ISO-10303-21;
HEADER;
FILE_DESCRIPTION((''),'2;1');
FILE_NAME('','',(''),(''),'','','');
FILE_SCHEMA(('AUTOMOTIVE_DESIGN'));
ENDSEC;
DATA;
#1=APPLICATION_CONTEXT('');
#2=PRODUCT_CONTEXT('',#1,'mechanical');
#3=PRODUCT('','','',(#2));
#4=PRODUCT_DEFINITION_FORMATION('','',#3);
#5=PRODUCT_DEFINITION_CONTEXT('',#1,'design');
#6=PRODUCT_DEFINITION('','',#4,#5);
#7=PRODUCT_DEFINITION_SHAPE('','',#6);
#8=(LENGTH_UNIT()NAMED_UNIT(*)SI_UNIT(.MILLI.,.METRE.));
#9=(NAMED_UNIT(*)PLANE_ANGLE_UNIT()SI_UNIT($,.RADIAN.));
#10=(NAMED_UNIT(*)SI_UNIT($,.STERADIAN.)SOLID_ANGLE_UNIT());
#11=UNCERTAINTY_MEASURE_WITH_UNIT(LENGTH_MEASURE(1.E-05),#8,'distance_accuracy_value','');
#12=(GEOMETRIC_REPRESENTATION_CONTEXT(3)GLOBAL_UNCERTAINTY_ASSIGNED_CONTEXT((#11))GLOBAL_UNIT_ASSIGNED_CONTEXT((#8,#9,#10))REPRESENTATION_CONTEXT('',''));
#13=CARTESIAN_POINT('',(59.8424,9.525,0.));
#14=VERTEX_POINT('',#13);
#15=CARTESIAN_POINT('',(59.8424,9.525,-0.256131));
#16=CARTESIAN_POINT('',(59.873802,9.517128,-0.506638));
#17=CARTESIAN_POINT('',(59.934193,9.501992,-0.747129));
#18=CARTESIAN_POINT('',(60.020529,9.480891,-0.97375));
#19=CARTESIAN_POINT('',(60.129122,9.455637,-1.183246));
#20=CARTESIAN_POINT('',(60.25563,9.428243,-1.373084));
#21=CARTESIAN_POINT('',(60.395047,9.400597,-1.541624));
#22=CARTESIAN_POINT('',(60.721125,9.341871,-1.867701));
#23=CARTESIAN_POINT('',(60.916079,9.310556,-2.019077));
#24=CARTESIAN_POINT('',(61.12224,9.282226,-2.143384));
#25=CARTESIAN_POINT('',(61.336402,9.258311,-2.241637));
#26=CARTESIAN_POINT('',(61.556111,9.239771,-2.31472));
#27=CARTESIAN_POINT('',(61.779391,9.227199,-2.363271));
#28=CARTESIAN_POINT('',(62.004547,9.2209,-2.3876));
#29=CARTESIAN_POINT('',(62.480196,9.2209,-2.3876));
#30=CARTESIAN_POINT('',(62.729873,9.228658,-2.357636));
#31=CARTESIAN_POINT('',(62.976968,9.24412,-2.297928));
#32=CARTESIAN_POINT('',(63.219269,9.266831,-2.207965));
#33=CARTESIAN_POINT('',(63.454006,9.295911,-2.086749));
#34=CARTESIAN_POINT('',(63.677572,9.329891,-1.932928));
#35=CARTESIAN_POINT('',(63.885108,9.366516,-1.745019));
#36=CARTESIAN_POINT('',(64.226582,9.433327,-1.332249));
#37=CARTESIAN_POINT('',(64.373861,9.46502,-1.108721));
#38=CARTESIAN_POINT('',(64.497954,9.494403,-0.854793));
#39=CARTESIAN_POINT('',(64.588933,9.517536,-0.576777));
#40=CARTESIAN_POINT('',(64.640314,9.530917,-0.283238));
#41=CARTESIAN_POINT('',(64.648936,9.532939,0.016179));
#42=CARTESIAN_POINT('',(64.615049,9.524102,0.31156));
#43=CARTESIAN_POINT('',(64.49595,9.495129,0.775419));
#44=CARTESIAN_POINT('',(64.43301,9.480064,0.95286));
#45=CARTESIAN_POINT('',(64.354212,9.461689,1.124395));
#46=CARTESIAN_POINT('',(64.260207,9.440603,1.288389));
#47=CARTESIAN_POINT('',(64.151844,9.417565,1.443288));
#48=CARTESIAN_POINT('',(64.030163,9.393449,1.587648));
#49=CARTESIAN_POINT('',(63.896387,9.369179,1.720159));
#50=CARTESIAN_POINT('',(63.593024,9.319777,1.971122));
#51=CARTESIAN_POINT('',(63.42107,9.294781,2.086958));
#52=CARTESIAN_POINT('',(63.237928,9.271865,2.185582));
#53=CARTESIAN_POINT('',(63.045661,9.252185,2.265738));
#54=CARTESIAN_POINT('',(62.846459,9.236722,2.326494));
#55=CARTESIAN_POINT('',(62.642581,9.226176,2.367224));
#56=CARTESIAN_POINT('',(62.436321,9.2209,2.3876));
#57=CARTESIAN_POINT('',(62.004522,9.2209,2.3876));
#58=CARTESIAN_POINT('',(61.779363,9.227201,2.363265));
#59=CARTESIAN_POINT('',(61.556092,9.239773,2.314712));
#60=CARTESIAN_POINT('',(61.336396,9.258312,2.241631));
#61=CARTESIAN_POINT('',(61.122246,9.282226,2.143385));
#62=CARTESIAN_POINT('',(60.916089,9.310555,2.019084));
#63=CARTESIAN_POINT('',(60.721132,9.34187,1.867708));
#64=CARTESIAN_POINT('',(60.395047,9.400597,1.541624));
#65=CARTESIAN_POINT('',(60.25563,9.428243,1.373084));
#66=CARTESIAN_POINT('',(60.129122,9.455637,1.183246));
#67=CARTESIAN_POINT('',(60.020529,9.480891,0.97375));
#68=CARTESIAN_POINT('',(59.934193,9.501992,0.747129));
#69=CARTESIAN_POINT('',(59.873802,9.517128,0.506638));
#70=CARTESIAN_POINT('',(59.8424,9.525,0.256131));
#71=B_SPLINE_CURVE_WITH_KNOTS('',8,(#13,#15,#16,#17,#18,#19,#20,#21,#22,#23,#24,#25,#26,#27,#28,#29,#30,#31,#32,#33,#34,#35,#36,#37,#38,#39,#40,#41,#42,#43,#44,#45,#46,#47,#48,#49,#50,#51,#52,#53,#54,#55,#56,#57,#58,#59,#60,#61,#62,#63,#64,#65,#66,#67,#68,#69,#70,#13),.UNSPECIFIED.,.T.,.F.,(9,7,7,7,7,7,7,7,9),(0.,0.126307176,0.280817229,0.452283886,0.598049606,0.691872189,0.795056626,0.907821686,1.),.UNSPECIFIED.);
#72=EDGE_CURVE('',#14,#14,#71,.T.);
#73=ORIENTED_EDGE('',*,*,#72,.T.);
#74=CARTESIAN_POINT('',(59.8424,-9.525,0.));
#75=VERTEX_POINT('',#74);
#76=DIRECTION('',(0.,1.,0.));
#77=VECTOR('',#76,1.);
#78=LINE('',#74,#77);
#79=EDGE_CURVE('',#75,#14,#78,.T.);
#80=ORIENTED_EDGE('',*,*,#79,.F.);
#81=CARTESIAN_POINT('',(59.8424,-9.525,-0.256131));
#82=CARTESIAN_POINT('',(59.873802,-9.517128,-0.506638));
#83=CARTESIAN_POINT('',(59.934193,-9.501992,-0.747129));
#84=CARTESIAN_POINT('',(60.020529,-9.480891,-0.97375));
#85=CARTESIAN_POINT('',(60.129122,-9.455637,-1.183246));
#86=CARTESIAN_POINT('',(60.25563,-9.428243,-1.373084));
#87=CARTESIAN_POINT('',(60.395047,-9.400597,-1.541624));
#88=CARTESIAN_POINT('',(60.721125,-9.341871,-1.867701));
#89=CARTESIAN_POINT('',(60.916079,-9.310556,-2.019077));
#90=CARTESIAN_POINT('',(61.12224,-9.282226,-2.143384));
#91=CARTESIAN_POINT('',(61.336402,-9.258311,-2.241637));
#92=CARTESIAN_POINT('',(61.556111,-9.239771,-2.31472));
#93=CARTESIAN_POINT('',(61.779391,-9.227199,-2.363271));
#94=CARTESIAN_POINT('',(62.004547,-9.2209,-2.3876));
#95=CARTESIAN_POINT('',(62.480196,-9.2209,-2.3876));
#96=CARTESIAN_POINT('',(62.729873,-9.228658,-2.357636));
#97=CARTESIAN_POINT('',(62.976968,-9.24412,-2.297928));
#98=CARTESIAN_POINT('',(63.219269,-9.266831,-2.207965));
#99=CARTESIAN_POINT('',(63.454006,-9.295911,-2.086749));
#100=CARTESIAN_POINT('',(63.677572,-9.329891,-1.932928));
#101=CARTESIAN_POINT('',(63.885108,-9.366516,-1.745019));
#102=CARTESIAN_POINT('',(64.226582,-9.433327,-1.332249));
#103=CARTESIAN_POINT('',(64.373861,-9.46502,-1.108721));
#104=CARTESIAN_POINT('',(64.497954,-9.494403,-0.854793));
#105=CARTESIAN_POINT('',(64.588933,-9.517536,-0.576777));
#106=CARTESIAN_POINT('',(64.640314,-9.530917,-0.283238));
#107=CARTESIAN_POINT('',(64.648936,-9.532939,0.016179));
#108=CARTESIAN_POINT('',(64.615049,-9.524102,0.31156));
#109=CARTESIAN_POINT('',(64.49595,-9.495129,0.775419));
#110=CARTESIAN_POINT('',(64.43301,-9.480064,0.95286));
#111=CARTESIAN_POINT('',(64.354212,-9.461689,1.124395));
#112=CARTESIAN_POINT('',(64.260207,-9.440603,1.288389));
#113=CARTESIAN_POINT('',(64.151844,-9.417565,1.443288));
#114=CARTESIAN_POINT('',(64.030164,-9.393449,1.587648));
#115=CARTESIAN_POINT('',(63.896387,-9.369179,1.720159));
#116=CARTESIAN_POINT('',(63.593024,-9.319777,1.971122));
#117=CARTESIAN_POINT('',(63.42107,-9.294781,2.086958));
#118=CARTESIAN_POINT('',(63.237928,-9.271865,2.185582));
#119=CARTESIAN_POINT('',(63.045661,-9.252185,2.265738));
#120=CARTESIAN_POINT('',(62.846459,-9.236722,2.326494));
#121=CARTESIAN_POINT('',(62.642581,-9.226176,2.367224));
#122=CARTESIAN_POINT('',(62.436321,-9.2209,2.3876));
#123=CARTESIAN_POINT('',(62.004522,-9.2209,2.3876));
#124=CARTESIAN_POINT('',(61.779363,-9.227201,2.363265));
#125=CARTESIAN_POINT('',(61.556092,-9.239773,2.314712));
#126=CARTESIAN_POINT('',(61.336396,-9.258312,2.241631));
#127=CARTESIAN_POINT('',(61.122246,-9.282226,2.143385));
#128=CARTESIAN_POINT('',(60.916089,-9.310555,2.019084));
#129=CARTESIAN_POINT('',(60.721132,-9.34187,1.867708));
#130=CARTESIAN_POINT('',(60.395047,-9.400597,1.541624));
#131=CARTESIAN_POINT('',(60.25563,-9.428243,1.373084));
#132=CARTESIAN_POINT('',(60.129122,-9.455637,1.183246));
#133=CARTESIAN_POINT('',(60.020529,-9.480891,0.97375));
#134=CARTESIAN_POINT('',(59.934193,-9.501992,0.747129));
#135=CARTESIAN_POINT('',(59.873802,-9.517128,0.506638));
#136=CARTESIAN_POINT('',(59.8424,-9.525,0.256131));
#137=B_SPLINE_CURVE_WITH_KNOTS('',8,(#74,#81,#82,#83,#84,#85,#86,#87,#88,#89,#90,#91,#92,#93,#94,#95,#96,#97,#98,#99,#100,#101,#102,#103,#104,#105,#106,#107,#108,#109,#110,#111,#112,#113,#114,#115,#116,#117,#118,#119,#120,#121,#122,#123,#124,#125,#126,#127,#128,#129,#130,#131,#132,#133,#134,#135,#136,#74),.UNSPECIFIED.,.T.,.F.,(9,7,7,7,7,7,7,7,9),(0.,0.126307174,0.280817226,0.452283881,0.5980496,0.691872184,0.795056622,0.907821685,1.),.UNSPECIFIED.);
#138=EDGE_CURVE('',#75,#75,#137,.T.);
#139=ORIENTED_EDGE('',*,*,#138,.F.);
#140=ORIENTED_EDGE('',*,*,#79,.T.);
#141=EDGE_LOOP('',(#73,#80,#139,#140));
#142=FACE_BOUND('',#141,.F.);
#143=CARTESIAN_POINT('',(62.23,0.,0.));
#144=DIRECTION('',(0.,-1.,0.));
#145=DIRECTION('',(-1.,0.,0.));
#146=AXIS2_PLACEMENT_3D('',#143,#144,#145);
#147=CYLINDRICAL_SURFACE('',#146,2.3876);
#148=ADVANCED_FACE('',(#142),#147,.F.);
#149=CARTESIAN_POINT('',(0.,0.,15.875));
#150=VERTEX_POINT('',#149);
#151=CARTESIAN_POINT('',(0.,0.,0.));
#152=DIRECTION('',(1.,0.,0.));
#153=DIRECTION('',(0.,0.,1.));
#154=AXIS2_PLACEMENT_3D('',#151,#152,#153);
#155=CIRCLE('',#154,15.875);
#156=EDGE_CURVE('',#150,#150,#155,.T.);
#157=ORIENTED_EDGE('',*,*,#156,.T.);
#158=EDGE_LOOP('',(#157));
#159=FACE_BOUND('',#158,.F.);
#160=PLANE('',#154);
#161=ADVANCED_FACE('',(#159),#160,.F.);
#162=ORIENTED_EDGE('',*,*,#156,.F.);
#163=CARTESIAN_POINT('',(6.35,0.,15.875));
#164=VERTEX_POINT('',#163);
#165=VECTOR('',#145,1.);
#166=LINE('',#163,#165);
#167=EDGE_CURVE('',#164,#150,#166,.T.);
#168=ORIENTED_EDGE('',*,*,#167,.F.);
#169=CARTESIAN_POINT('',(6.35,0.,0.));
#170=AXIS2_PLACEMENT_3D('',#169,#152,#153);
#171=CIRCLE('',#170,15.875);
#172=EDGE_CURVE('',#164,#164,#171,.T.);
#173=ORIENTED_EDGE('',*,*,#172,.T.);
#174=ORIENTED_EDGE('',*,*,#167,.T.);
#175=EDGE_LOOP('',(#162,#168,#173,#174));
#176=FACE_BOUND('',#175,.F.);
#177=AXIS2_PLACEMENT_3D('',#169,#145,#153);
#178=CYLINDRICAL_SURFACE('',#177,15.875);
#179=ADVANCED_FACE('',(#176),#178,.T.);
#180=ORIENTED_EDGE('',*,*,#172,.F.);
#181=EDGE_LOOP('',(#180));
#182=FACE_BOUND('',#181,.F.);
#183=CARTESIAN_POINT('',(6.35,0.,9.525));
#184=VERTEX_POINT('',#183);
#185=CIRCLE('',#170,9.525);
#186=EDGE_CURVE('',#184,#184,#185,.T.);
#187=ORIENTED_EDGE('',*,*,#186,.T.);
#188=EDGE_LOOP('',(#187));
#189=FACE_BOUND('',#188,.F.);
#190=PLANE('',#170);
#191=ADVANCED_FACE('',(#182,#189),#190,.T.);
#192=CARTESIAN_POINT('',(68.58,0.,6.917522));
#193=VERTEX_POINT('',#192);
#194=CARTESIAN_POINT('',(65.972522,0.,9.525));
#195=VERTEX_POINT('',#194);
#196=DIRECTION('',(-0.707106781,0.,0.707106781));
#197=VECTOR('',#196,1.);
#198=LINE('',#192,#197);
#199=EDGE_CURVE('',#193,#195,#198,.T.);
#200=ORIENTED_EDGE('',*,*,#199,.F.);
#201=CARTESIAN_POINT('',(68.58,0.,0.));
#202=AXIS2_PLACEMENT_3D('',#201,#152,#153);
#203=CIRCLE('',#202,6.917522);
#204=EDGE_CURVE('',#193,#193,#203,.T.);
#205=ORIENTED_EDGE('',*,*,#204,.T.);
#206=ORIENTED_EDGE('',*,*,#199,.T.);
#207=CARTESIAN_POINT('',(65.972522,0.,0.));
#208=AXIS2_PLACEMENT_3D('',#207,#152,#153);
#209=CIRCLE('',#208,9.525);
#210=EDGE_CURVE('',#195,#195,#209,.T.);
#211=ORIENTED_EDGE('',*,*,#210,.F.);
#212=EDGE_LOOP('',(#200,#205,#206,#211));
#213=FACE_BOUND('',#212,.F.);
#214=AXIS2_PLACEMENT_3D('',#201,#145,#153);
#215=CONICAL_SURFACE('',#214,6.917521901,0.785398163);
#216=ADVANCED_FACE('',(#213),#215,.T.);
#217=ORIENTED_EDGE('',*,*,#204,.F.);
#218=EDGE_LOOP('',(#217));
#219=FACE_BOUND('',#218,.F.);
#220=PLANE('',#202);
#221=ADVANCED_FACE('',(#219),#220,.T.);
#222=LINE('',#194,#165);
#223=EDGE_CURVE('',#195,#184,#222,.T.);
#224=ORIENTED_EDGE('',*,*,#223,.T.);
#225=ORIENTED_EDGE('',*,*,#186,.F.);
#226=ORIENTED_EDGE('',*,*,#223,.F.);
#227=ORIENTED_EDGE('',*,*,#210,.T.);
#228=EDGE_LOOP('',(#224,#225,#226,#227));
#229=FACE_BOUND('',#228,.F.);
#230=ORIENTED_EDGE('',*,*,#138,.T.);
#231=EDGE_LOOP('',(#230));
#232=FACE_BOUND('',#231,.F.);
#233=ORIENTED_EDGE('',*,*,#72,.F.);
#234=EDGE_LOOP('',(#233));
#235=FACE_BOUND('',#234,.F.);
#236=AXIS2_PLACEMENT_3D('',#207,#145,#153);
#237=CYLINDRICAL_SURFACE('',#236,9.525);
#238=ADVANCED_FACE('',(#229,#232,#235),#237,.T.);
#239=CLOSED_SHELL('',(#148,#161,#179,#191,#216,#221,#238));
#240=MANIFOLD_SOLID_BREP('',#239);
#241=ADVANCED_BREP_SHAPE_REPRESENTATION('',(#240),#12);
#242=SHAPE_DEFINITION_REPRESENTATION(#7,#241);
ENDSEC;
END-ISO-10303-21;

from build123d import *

# Parameters (mm, degrees)
F2_DEPTH = 12.7


with BuildPart() as f1:
    # F0 (on Front) → F1 (revolve)
    with BuildSketch(Plane.XZ):
        with BuildLine():
            Line((6.35, 9.525), (6.35, 0))
            Line((6.35, 0), (59.8424, 0))
            ThreePointArc((59.8424, 0), (62.23, 2.3876), (64.6176, 0))
            Line((64.6176, 0), (65.9725219011, 0))
            Line((65.9725219011, 0), (65.9725219011, 9.525))
            Line((65.9725219011, 9.525), (43.0678202391, 9.525))
            Line((43.0678202391, 9.525), (6.35, 9.525))
        make_face()
        Polygon((0, 15.875), (0, 0), (6.35, 0), (6.35, 9.525), (6.35, 15.875), align=None)
        Polygon((68.58, 6.9175219011), (65.9725219011, 9.525), (65.9725219011, 0), (68.58, 0), align=None)
    revolve(axis=Axis((27.4712196347, 0, 0), (1, 0, 0)))

    # F0 (on Front) → F2 (cut, symmetric)
    with BuildSketch(Plane.XZ):
        with BuildLine():
            ThreePointArc((64.6176, 0), (62.23, 2.3876), (59.8424, 0))
            Line((59.8424, 0), (64.6176, 0))
        make_face()
        with BuildLine():
            Line((64.6176, 0), (59.8424, 0))
            ThreePointArc((59.8424, 0), (62.23, -2.3876), (64.6176, 0))
        make_face()
    extrude(amount=F2_DEPTH, both=True, mode=Mode.SUBTRACT)


solid = f1.part
